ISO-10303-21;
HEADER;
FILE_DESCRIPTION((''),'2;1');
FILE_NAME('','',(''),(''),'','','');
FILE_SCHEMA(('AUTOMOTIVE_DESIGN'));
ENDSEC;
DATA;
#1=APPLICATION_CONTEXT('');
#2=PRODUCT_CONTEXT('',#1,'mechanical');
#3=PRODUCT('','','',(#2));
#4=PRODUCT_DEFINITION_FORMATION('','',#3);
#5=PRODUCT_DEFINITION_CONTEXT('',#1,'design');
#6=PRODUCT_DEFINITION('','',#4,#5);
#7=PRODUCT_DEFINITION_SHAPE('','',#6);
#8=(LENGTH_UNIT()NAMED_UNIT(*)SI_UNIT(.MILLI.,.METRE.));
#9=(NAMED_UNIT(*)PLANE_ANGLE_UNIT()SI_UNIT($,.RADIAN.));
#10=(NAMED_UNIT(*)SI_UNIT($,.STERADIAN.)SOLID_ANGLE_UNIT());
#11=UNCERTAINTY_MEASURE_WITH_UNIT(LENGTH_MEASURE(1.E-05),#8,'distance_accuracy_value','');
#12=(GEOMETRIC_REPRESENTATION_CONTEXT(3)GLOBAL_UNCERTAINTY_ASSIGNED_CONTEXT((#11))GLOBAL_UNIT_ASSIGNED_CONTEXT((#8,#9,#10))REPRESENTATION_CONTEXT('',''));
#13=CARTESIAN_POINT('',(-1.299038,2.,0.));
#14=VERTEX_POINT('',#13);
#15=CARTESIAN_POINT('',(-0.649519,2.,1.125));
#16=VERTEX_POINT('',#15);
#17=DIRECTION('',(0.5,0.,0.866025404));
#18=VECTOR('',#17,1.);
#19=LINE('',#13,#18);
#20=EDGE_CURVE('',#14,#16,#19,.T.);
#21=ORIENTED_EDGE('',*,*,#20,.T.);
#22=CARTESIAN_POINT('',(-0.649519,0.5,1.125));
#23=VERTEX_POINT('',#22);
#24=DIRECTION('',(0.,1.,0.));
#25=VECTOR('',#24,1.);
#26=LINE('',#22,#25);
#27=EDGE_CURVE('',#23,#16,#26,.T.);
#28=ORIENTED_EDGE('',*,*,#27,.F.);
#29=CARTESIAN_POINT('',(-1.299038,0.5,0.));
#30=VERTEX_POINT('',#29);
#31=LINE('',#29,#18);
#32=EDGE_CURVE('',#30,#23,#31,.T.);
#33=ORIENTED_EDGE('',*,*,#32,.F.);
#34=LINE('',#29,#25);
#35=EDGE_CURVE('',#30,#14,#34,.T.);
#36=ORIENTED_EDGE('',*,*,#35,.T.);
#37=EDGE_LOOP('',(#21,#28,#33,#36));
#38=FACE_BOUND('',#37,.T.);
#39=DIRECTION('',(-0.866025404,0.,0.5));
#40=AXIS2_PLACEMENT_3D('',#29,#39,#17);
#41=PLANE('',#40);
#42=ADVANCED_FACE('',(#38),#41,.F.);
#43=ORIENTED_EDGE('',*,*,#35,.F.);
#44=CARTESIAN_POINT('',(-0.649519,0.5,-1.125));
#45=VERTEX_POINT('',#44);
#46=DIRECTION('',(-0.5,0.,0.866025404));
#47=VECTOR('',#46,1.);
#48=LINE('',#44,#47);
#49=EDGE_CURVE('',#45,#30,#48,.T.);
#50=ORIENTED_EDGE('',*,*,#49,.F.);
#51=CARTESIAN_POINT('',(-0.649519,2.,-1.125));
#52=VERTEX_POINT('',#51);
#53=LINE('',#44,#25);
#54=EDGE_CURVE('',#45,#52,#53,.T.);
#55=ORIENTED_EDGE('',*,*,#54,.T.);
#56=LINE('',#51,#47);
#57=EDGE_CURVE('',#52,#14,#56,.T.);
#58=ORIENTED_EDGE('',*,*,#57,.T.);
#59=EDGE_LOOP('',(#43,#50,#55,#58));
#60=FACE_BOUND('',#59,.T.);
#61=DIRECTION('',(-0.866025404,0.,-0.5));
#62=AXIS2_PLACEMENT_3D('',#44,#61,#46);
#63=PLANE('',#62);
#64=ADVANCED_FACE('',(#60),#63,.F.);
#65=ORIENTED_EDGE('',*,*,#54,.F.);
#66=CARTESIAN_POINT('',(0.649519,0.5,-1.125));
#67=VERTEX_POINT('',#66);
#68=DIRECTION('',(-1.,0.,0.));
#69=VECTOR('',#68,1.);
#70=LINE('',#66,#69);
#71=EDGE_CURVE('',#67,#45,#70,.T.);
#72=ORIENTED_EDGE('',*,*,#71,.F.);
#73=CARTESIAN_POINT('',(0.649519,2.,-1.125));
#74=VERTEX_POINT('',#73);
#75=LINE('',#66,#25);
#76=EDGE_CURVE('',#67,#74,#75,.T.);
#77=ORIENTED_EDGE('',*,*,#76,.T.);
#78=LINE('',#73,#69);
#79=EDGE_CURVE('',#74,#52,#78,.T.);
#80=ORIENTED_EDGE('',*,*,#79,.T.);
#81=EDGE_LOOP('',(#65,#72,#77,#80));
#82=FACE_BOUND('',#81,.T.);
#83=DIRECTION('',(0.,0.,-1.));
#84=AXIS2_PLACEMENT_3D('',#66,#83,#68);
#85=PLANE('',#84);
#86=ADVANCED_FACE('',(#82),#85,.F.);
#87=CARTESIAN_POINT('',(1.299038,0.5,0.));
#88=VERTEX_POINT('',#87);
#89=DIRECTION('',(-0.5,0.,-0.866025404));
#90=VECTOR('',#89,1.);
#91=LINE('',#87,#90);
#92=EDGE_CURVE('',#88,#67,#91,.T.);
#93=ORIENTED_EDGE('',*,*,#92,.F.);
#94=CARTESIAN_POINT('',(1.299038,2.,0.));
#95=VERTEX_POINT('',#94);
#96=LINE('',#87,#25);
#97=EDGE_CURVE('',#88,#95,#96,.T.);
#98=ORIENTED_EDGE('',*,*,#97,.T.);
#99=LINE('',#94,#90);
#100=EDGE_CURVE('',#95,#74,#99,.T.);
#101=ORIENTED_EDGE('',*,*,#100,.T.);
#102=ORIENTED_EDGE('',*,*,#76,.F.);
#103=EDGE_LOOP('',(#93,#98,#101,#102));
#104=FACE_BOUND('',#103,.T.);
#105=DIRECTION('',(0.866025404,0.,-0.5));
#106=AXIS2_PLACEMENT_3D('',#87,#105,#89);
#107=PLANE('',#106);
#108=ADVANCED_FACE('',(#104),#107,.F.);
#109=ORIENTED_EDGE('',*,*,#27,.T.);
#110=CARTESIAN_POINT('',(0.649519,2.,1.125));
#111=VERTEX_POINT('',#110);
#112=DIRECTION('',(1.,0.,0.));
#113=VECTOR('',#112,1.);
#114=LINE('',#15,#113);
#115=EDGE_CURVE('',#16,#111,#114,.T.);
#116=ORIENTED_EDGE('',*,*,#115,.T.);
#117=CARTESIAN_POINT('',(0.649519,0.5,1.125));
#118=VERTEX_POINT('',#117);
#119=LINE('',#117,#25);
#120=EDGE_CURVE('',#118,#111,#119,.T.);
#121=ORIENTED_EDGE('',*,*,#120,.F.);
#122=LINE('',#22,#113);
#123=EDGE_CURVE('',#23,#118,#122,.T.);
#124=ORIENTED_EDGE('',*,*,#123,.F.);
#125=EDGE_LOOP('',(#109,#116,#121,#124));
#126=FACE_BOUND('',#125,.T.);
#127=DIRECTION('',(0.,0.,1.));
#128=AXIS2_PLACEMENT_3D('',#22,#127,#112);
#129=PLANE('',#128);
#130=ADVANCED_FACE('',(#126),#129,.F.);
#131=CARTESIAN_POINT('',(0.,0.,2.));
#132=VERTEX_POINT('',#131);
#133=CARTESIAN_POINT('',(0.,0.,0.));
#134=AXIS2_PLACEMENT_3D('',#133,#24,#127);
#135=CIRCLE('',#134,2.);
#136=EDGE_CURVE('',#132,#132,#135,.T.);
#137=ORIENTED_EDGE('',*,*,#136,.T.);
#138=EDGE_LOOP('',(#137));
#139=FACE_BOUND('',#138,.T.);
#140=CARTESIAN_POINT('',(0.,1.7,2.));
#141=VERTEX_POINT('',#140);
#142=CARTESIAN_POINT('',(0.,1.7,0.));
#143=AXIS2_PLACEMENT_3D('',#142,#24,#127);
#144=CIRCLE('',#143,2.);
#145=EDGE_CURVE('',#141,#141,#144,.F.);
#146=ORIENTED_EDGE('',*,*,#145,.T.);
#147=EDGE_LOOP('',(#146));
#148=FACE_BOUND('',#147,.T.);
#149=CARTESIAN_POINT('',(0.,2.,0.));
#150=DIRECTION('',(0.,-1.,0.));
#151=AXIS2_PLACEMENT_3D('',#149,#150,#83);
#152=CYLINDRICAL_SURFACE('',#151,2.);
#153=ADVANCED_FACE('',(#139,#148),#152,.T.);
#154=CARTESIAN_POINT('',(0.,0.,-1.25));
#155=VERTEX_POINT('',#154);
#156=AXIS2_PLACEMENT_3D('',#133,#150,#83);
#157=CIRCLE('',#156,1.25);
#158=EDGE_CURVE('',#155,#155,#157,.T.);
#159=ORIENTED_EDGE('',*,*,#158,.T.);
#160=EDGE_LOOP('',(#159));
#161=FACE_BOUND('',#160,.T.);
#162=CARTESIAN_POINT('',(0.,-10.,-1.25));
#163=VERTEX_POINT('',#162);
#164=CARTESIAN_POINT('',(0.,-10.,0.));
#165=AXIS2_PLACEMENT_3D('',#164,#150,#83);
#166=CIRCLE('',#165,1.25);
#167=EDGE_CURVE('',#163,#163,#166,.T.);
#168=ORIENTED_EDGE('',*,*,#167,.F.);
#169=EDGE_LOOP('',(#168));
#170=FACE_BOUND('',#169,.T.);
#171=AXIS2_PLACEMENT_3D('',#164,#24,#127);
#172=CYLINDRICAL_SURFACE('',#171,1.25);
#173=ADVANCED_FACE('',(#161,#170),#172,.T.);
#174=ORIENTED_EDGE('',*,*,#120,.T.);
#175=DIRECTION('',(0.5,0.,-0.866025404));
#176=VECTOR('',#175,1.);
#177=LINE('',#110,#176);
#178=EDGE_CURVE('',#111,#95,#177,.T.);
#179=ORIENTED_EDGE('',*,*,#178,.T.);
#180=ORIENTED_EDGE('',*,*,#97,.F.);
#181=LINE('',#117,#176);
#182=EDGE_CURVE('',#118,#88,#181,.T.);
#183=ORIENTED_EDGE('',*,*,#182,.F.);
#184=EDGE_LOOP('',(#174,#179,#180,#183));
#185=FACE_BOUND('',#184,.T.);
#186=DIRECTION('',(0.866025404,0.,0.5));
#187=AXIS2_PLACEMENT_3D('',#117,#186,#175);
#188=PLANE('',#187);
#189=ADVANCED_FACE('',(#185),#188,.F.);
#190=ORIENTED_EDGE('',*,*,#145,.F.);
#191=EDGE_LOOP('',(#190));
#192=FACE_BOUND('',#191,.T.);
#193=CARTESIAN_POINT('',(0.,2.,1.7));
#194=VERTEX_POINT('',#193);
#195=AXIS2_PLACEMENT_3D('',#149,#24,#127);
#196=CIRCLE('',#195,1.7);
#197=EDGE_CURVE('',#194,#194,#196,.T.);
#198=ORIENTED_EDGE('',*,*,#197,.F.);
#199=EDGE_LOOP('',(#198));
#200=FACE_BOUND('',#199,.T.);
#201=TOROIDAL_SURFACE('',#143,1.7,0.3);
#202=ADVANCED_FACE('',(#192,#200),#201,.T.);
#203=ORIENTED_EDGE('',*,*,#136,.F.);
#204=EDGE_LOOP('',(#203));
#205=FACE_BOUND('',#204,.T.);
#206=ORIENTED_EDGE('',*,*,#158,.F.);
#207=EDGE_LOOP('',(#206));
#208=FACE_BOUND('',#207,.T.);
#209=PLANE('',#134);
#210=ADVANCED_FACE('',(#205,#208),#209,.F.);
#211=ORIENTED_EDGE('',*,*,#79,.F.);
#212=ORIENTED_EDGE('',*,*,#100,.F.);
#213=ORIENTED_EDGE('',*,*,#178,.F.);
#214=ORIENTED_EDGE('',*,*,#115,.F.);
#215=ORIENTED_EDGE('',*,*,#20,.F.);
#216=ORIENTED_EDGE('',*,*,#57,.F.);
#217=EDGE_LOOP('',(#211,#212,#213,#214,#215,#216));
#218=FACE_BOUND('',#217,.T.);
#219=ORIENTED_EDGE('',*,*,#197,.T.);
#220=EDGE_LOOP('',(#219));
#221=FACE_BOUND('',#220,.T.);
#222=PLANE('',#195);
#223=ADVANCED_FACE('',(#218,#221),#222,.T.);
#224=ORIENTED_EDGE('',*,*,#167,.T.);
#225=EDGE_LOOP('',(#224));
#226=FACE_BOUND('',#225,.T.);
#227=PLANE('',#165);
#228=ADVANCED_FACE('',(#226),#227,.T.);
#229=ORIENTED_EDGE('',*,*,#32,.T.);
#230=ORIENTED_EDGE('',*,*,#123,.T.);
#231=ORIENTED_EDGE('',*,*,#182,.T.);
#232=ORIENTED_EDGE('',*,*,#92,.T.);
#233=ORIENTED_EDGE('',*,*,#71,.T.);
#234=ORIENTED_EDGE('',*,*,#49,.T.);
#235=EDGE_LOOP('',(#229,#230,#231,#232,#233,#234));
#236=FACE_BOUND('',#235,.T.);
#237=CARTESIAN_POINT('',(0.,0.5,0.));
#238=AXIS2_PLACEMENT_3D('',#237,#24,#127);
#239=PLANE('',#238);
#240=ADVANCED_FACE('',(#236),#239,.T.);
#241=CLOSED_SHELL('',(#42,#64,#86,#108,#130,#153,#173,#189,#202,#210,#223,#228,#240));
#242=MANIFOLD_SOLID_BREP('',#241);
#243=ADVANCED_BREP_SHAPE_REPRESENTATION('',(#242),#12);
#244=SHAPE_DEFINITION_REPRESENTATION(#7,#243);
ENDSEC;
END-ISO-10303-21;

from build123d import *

# Parameters (mm, degrees)
SKETCH1_R           = 2
BOSS_EXTRUDE1_DEPTH = 2
SKETCH2_R           = 1.25
BOSS_EXTRUDE2_DEPTH = 10
FILLET1_R           = 0.3
CUT_EXTRUDE1_DEPTH  = 1.5


with BuildPart() as part:
    # Sketch1 → Boss-Extrude1 (new body)
    with BuildSketch(Plane(origin=(0, 0, 0), x_dir=(1, 0, 0), z_dir=(0, 1, 0))):
        Circle(SKETCH1_R)
    extrude(amount=BOSS_EXTRUDE1_DEPTH)

    # Sketch2 → Boss-Extrude2 (add)
    with BuildSketch(Plane.XZ):
        Circle(SKETCH2_R)
    extrude(amount=BOSS_EXTRUDE2_DEPTH)

    # Fillet1
    fillet1_edges = [part.edges().sort_by_distance(p)[0] for p in [
        (-2, 2, 0),
    ]]
    fillet(fillet1_edges, radius=FILLET1_R)

    # Sketch4 → Cut-Extrude1 (cut)
    with BuildSketch(Plane(origin=(0, 2, 0), x_dir=(1, 0, 0), z_dir=(0, 1, 0))):
        Polygon((1.299038106, 0), (0.649519053, 1.125), (-0.649519053, 1.125), (-1.299038106, 0), (-0.649519053, -1.125), (0.649519053, -1.125), align=None)
    extrude(amount=-CUT_EXTRUDE1_DEPTH, mode=Mode.SUBTRACT)


solid = part.part
